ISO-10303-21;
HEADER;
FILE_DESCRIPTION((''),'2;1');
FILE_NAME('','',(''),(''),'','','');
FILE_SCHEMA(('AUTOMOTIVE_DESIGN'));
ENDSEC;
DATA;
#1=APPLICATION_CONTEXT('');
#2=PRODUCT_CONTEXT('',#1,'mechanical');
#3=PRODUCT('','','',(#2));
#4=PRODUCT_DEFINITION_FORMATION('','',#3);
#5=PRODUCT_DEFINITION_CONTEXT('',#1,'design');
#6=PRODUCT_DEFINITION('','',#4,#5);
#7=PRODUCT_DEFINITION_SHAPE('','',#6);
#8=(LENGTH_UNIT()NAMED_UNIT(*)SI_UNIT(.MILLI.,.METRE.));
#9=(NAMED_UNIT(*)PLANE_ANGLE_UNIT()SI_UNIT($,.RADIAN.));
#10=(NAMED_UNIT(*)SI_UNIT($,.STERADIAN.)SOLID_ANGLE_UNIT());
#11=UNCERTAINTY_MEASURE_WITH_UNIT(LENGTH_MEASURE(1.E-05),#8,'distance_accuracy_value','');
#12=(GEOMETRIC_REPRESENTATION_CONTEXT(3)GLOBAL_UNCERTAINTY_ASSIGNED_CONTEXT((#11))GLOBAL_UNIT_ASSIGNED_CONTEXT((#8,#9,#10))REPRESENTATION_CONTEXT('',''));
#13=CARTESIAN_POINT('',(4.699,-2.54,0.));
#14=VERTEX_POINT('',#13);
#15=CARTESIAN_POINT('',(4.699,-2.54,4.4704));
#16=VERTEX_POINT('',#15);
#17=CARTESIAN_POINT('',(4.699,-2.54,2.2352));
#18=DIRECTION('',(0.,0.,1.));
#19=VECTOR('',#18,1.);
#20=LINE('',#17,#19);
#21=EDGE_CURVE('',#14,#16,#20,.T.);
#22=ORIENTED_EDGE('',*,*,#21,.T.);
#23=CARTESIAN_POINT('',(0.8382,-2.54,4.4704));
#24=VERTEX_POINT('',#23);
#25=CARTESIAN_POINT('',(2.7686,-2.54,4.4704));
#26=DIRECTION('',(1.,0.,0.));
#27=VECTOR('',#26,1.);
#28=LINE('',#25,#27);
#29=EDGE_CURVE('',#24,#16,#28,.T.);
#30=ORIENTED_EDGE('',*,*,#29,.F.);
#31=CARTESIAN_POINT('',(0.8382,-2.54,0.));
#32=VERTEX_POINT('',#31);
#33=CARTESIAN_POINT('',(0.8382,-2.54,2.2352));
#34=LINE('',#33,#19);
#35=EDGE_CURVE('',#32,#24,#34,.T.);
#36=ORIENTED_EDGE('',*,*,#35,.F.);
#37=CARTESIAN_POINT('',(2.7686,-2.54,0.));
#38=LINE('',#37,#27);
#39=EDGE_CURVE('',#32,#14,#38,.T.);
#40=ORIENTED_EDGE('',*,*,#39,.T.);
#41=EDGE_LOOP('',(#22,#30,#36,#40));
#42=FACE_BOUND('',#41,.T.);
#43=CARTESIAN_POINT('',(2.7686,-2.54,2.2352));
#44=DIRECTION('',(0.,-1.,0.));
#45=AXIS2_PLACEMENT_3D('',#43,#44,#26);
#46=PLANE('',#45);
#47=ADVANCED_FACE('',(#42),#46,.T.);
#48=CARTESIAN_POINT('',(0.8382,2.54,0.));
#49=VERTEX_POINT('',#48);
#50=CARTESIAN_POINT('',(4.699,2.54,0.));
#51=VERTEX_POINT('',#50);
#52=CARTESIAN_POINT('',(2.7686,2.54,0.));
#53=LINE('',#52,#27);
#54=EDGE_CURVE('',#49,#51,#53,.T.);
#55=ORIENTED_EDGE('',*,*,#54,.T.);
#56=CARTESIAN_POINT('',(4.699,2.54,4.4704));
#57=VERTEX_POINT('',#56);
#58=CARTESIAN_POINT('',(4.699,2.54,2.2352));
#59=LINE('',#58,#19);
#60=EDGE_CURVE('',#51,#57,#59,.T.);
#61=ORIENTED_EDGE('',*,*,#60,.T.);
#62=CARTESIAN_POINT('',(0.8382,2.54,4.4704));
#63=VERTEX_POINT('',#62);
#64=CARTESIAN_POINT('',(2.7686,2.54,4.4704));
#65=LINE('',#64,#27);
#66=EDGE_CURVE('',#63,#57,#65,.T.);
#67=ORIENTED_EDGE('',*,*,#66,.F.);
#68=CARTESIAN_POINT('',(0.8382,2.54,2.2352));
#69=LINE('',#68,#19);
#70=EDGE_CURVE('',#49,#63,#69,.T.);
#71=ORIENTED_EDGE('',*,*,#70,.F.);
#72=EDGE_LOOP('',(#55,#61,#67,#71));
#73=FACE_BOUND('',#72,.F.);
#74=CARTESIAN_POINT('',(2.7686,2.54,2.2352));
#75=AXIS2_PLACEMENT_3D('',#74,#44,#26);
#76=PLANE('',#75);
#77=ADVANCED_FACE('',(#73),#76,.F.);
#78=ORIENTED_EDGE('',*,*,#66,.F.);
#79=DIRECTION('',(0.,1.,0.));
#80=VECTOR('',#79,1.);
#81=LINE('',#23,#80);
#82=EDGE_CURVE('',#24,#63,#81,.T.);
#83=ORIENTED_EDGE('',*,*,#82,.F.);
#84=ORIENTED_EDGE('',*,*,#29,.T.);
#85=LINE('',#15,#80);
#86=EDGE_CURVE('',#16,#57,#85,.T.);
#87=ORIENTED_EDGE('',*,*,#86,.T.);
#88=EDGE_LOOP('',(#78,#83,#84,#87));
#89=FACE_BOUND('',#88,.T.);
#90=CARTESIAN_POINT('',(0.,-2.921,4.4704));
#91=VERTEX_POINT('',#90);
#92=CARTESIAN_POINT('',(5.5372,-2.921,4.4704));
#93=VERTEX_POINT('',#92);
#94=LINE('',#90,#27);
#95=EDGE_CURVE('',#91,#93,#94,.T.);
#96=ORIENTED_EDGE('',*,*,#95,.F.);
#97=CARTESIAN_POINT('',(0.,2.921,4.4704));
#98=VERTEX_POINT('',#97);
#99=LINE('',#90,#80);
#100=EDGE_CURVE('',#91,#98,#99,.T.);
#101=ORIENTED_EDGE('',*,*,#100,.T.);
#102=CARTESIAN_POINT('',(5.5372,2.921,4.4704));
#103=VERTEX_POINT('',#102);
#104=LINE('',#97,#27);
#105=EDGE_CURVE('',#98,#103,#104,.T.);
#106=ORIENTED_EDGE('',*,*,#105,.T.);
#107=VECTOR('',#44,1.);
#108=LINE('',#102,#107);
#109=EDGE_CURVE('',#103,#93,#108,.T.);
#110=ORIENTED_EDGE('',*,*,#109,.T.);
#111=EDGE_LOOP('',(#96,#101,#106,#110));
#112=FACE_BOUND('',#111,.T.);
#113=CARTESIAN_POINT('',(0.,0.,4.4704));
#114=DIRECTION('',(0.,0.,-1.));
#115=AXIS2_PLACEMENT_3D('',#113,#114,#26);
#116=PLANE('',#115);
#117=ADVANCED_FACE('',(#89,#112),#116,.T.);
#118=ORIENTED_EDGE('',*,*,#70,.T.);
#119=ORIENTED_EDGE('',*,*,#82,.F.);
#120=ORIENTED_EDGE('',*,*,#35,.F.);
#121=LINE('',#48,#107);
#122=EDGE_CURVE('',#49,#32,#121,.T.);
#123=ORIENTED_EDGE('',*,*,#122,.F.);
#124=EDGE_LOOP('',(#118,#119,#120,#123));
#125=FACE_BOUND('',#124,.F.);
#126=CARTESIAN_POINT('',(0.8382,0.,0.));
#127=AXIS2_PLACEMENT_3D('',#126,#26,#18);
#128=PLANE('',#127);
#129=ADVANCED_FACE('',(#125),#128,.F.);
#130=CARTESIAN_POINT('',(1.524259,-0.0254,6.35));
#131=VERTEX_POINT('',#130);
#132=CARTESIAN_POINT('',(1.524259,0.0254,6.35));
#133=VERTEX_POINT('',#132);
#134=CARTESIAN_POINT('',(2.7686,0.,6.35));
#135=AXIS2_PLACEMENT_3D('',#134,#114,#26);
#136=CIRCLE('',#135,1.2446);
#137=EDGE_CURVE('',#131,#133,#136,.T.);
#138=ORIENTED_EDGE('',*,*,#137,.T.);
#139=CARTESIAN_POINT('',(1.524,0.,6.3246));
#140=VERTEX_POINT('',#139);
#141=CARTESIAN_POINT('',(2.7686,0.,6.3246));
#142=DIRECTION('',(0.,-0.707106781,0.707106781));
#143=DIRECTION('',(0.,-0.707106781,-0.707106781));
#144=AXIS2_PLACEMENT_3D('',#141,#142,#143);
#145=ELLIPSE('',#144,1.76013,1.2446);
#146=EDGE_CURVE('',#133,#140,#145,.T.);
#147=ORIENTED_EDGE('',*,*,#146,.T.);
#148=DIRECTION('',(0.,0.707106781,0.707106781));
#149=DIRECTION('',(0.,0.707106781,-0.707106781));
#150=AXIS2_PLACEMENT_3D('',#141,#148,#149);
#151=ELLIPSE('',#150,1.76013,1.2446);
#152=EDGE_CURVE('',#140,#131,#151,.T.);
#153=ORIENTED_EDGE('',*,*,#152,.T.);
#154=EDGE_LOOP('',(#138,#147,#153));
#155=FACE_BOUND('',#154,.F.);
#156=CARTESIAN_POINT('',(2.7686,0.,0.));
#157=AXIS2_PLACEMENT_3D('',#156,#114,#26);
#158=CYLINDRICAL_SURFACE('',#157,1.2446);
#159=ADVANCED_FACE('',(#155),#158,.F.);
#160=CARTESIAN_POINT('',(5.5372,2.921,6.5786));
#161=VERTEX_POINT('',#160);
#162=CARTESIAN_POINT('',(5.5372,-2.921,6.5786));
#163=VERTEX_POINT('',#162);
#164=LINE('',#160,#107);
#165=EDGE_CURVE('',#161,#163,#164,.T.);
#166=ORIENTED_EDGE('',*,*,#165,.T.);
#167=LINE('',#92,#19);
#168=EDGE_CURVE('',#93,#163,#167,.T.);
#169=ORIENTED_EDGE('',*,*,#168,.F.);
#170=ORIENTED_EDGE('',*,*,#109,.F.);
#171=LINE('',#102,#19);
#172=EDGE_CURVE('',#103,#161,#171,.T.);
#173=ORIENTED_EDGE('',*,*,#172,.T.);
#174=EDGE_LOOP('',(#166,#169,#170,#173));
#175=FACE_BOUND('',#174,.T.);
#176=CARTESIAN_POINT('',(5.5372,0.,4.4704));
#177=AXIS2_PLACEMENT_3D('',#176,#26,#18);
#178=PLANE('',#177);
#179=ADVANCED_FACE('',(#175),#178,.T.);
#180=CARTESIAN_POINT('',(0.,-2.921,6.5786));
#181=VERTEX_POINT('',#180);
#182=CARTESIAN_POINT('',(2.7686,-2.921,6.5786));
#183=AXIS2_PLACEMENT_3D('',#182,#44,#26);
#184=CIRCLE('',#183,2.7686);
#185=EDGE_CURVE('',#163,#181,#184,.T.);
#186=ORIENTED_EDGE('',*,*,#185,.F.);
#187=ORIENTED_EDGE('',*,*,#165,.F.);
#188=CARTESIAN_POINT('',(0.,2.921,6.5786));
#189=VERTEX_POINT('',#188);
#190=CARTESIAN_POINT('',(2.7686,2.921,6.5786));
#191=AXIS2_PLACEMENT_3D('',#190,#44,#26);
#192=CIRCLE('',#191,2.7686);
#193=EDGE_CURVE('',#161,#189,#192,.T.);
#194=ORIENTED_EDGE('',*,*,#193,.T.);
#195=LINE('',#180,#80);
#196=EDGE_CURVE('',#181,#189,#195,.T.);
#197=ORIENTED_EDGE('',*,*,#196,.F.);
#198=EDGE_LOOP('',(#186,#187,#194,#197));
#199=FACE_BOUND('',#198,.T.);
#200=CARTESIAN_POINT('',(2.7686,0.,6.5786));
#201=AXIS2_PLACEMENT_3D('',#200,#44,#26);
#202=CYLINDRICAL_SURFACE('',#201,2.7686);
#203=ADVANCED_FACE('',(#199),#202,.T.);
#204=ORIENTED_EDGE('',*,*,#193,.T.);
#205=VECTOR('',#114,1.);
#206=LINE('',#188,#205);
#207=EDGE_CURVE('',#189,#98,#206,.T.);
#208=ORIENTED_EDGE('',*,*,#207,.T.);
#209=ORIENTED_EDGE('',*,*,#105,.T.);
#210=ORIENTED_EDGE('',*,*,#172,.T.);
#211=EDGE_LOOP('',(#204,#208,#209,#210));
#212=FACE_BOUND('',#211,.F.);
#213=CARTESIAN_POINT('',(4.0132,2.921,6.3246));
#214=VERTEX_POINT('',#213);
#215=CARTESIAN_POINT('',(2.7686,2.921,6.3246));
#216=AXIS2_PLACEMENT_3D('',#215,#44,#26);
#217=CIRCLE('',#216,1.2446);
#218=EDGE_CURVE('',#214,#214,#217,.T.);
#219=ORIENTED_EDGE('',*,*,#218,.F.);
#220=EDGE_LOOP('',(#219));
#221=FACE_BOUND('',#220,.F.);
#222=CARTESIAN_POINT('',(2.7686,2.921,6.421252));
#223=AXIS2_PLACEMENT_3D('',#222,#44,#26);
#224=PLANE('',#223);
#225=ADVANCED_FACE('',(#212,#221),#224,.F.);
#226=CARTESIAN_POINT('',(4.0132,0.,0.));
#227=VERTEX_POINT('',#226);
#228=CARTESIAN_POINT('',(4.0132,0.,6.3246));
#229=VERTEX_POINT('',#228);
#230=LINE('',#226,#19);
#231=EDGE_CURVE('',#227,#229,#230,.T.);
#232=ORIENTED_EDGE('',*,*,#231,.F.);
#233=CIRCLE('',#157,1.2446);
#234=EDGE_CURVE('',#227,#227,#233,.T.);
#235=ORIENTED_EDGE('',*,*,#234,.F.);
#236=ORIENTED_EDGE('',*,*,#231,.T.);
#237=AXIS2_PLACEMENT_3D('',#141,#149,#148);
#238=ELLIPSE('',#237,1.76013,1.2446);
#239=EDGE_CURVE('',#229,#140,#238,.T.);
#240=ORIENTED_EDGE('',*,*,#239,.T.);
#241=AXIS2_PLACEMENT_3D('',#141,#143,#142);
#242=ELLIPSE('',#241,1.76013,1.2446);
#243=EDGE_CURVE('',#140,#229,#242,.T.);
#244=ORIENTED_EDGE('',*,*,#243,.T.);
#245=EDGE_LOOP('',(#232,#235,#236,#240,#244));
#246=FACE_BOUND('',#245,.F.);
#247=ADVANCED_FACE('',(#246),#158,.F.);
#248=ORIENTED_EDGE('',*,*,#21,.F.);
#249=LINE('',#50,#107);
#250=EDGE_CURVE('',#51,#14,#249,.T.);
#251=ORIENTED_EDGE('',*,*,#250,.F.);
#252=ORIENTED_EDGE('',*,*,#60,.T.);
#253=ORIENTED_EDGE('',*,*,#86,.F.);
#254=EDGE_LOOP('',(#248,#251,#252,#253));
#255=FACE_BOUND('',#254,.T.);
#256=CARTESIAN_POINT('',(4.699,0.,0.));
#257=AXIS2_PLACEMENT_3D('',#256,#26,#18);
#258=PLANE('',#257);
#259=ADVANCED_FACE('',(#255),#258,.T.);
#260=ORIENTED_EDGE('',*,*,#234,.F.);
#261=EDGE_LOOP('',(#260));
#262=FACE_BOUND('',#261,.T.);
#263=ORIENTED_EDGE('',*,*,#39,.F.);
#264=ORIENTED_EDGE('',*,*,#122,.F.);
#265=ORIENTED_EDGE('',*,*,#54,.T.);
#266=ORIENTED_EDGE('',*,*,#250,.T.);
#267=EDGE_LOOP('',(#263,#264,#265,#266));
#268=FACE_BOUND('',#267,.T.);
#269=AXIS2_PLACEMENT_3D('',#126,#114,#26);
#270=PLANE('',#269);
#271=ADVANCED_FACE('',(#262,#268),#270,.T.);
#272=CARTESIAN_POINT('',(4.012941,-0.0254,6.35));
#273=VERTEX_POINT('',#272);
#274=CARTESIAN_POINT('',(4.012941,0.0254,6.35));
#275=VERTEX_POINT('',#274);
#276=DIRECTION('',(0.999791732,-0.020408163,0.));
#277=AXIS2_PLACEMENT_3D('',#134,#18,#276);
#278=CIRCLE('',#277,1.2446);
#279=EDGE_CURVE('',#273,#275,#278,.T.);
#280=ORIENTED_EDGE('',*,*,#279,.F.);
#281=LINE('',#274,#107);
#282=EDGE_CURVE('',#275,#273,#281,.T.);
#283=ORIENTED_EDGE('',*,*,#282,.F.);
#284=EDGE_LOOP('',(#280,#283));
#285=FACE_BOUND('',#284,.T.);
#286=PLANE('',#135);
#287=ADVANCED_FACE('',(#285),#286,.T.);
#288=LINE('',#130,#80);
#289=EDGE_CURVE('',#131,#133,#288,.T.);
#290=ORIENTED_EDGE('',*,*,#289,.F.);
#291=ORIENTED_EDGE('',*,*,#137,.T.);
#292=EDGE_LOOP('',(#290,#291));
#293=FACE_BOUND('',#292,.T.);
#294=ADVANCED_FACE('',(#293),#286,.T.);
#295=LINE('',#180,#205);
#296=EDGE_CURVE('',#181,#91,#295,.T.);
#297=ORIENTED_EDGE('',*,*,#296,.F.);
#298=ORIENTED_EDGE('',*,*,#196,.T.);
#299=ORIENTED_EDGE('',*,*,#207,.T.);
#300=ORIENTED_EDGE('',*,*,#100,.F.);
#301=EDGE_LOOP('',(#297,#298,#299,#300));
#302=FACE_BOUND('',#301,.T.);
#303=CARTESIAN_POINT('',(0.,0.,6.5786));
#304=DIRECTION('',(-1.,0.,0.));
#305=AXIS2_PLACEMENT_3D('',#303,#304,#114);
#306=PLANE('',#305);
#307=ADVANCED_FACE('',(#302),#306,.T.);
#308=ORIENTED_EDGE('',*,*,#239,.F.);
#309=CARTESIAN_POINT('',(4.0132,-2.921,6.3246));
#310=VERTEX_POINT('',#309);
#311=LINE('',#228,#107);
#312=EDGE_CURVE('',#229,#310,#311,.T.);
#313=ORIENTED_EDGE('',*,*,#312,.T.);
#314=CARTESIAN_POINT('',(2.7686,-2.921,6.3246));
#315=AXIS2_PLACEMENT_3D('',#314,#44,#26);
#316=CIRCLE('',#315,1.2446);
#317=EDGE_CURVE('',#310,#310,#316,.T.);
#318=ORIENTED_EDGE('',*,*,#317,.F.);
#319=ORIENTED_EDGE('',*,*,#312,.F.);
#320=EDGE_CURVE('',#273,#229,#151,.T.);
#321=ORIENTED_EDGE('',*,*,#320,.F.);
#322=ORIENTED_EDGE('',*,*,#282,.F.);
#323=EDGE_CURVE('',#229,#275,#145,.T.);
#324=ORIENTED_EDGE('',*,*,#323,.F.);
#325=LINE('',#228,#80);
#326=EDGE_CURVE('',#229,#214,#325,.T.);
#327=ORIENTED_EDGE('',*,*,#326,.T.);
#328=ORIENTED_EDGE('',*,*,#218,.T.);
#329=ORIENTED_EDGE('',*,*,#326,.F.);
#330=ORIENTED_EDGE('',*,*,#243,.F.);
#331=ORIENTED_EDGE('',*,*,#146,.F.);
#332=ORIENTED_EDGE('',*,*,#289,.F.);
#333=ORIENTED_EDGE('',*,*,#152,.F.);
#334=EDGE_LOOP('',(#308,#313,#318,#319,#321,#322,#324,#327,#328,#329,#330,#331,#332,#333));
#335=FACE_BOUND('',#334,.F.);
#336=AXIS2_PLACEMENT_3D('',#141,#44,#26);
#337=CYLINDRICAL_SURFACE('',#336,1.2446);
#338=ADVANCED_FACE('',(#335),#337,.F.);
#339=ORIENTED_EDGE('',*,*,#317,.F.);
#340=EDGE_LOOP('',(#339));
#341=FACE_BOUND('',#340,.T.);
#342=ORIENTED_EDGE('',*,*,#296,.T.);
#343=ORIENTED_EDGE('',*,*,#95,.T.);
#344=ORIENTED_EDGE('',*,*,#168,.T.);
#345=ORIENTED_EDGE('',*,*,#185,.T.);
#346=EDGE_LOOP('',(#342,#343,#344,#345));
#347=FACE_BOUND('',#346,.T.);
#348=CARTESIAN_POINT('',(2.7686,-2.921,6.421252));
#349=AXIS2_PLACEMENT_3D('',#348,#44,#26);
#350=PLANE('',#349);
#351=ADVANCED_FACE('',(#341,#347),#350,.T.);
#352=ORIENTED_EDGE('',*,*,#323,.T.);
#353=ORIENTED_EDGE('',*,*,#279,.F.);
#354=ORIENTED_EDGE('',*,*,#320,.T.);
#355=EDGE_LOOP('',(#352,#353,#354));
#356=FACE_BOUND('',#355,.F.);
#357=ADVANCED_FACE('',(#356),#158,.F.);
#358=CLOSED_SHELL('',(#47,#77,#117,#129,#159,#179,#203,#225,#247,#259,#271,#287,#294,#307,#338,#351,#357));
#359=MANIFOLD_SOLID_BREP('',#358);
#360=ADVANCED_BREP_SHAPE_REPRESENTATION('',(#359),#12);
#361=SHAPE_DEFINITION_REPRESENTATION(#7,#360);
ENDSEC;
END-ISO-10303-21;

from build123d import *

# Parameters (mm, degrees)
F0_R     = 1.2446
F1_DEPTH = 2.921
F0_W     = 3.8608
F0_H     = 4.4704
F2_DEPTH = 2.54
F3_DEPTH = 2.921
F4_DEPTH = 2.54
F5_R     = 1.2446
F6_DEPTH = 6.35


with BuildPart() as f1:
    # F0 (on Front) → F1 (new body)
    with BuildSketch(Plane.XZ):
        with BuildLine():
            Line((0, 4.4704), (0.8382, 4.4704))
            Line((0.8382, 4.4704), (4.699, 4.4704))
            Line((4.699, 4.4704), (5.5372, 4.4704))
            Line((5.5372, 4.4704), (5.5372, 6.5786))
            ThreePointArc((5.5372, 6.5786), (2.7686, 9.3472), (0, 6.5786))
            Line((0, 6.5786), (0, 4.4704))
        make_face()
        with Locations((2.7686, 6.3246)):
            Circle(F0_R, mode=Mode.SUBTRACT)
    extrude(amount=F1_DEPTH)

    # F0 (on Front) → F2 (join)
    with BuildSketch(Plane.XZ):
        with Locations((2.7686, 2.2352)):
            Rectangle(F0_W, F0_H)
    extrude(amount=F2_DEPTH)

    # F0 (on Front) → F3 (join)
    with BuildSketch(Plane.XZ):
        with BuildLine():
            Line((0, 4.4704), (0.8382, 4.4704))
            Line((0.8382, 4.4704), (4.699, 4.4704))
            Line((4.699, 4.4704), (5.5372, 4.4704))
            Line((5.5372, 4.4704), (5.5372, 6.5786))
            ThreePointArc((5.5372, 6.5786), (2.7686, 9.3472), (0, 6.5786))
            Line((0, 6.5786), (0, 4.4704))
        make_face()
        with Locations((2.7686, 6.3246)):
            Circle(F0_R, mode=Mode.SUBTRACT)
    extrude(amount=-F3_DEPTH)

    # F0 (on Front) → F4 (join)
    with BuildSketch(Plane.XZ):
        with Locations((2.7686, 2.2352)):
            Rectangle(F0_W, F0_H)
    extrude(amount=-F4_DEPTH)

    # F5 (on face) → F6 (cut)
    with BuildSketch(Plane(origin=(0, 0, 0), x_dir=(1, 0, 0), z_dir=(0, 0, -1))):
        with Locations((2.7686, 0)):
            Circle(F5_R)
    extrude(amount=-F6_DEPTH, mode=Mode.SUBTRACT)


solid = f1.part
